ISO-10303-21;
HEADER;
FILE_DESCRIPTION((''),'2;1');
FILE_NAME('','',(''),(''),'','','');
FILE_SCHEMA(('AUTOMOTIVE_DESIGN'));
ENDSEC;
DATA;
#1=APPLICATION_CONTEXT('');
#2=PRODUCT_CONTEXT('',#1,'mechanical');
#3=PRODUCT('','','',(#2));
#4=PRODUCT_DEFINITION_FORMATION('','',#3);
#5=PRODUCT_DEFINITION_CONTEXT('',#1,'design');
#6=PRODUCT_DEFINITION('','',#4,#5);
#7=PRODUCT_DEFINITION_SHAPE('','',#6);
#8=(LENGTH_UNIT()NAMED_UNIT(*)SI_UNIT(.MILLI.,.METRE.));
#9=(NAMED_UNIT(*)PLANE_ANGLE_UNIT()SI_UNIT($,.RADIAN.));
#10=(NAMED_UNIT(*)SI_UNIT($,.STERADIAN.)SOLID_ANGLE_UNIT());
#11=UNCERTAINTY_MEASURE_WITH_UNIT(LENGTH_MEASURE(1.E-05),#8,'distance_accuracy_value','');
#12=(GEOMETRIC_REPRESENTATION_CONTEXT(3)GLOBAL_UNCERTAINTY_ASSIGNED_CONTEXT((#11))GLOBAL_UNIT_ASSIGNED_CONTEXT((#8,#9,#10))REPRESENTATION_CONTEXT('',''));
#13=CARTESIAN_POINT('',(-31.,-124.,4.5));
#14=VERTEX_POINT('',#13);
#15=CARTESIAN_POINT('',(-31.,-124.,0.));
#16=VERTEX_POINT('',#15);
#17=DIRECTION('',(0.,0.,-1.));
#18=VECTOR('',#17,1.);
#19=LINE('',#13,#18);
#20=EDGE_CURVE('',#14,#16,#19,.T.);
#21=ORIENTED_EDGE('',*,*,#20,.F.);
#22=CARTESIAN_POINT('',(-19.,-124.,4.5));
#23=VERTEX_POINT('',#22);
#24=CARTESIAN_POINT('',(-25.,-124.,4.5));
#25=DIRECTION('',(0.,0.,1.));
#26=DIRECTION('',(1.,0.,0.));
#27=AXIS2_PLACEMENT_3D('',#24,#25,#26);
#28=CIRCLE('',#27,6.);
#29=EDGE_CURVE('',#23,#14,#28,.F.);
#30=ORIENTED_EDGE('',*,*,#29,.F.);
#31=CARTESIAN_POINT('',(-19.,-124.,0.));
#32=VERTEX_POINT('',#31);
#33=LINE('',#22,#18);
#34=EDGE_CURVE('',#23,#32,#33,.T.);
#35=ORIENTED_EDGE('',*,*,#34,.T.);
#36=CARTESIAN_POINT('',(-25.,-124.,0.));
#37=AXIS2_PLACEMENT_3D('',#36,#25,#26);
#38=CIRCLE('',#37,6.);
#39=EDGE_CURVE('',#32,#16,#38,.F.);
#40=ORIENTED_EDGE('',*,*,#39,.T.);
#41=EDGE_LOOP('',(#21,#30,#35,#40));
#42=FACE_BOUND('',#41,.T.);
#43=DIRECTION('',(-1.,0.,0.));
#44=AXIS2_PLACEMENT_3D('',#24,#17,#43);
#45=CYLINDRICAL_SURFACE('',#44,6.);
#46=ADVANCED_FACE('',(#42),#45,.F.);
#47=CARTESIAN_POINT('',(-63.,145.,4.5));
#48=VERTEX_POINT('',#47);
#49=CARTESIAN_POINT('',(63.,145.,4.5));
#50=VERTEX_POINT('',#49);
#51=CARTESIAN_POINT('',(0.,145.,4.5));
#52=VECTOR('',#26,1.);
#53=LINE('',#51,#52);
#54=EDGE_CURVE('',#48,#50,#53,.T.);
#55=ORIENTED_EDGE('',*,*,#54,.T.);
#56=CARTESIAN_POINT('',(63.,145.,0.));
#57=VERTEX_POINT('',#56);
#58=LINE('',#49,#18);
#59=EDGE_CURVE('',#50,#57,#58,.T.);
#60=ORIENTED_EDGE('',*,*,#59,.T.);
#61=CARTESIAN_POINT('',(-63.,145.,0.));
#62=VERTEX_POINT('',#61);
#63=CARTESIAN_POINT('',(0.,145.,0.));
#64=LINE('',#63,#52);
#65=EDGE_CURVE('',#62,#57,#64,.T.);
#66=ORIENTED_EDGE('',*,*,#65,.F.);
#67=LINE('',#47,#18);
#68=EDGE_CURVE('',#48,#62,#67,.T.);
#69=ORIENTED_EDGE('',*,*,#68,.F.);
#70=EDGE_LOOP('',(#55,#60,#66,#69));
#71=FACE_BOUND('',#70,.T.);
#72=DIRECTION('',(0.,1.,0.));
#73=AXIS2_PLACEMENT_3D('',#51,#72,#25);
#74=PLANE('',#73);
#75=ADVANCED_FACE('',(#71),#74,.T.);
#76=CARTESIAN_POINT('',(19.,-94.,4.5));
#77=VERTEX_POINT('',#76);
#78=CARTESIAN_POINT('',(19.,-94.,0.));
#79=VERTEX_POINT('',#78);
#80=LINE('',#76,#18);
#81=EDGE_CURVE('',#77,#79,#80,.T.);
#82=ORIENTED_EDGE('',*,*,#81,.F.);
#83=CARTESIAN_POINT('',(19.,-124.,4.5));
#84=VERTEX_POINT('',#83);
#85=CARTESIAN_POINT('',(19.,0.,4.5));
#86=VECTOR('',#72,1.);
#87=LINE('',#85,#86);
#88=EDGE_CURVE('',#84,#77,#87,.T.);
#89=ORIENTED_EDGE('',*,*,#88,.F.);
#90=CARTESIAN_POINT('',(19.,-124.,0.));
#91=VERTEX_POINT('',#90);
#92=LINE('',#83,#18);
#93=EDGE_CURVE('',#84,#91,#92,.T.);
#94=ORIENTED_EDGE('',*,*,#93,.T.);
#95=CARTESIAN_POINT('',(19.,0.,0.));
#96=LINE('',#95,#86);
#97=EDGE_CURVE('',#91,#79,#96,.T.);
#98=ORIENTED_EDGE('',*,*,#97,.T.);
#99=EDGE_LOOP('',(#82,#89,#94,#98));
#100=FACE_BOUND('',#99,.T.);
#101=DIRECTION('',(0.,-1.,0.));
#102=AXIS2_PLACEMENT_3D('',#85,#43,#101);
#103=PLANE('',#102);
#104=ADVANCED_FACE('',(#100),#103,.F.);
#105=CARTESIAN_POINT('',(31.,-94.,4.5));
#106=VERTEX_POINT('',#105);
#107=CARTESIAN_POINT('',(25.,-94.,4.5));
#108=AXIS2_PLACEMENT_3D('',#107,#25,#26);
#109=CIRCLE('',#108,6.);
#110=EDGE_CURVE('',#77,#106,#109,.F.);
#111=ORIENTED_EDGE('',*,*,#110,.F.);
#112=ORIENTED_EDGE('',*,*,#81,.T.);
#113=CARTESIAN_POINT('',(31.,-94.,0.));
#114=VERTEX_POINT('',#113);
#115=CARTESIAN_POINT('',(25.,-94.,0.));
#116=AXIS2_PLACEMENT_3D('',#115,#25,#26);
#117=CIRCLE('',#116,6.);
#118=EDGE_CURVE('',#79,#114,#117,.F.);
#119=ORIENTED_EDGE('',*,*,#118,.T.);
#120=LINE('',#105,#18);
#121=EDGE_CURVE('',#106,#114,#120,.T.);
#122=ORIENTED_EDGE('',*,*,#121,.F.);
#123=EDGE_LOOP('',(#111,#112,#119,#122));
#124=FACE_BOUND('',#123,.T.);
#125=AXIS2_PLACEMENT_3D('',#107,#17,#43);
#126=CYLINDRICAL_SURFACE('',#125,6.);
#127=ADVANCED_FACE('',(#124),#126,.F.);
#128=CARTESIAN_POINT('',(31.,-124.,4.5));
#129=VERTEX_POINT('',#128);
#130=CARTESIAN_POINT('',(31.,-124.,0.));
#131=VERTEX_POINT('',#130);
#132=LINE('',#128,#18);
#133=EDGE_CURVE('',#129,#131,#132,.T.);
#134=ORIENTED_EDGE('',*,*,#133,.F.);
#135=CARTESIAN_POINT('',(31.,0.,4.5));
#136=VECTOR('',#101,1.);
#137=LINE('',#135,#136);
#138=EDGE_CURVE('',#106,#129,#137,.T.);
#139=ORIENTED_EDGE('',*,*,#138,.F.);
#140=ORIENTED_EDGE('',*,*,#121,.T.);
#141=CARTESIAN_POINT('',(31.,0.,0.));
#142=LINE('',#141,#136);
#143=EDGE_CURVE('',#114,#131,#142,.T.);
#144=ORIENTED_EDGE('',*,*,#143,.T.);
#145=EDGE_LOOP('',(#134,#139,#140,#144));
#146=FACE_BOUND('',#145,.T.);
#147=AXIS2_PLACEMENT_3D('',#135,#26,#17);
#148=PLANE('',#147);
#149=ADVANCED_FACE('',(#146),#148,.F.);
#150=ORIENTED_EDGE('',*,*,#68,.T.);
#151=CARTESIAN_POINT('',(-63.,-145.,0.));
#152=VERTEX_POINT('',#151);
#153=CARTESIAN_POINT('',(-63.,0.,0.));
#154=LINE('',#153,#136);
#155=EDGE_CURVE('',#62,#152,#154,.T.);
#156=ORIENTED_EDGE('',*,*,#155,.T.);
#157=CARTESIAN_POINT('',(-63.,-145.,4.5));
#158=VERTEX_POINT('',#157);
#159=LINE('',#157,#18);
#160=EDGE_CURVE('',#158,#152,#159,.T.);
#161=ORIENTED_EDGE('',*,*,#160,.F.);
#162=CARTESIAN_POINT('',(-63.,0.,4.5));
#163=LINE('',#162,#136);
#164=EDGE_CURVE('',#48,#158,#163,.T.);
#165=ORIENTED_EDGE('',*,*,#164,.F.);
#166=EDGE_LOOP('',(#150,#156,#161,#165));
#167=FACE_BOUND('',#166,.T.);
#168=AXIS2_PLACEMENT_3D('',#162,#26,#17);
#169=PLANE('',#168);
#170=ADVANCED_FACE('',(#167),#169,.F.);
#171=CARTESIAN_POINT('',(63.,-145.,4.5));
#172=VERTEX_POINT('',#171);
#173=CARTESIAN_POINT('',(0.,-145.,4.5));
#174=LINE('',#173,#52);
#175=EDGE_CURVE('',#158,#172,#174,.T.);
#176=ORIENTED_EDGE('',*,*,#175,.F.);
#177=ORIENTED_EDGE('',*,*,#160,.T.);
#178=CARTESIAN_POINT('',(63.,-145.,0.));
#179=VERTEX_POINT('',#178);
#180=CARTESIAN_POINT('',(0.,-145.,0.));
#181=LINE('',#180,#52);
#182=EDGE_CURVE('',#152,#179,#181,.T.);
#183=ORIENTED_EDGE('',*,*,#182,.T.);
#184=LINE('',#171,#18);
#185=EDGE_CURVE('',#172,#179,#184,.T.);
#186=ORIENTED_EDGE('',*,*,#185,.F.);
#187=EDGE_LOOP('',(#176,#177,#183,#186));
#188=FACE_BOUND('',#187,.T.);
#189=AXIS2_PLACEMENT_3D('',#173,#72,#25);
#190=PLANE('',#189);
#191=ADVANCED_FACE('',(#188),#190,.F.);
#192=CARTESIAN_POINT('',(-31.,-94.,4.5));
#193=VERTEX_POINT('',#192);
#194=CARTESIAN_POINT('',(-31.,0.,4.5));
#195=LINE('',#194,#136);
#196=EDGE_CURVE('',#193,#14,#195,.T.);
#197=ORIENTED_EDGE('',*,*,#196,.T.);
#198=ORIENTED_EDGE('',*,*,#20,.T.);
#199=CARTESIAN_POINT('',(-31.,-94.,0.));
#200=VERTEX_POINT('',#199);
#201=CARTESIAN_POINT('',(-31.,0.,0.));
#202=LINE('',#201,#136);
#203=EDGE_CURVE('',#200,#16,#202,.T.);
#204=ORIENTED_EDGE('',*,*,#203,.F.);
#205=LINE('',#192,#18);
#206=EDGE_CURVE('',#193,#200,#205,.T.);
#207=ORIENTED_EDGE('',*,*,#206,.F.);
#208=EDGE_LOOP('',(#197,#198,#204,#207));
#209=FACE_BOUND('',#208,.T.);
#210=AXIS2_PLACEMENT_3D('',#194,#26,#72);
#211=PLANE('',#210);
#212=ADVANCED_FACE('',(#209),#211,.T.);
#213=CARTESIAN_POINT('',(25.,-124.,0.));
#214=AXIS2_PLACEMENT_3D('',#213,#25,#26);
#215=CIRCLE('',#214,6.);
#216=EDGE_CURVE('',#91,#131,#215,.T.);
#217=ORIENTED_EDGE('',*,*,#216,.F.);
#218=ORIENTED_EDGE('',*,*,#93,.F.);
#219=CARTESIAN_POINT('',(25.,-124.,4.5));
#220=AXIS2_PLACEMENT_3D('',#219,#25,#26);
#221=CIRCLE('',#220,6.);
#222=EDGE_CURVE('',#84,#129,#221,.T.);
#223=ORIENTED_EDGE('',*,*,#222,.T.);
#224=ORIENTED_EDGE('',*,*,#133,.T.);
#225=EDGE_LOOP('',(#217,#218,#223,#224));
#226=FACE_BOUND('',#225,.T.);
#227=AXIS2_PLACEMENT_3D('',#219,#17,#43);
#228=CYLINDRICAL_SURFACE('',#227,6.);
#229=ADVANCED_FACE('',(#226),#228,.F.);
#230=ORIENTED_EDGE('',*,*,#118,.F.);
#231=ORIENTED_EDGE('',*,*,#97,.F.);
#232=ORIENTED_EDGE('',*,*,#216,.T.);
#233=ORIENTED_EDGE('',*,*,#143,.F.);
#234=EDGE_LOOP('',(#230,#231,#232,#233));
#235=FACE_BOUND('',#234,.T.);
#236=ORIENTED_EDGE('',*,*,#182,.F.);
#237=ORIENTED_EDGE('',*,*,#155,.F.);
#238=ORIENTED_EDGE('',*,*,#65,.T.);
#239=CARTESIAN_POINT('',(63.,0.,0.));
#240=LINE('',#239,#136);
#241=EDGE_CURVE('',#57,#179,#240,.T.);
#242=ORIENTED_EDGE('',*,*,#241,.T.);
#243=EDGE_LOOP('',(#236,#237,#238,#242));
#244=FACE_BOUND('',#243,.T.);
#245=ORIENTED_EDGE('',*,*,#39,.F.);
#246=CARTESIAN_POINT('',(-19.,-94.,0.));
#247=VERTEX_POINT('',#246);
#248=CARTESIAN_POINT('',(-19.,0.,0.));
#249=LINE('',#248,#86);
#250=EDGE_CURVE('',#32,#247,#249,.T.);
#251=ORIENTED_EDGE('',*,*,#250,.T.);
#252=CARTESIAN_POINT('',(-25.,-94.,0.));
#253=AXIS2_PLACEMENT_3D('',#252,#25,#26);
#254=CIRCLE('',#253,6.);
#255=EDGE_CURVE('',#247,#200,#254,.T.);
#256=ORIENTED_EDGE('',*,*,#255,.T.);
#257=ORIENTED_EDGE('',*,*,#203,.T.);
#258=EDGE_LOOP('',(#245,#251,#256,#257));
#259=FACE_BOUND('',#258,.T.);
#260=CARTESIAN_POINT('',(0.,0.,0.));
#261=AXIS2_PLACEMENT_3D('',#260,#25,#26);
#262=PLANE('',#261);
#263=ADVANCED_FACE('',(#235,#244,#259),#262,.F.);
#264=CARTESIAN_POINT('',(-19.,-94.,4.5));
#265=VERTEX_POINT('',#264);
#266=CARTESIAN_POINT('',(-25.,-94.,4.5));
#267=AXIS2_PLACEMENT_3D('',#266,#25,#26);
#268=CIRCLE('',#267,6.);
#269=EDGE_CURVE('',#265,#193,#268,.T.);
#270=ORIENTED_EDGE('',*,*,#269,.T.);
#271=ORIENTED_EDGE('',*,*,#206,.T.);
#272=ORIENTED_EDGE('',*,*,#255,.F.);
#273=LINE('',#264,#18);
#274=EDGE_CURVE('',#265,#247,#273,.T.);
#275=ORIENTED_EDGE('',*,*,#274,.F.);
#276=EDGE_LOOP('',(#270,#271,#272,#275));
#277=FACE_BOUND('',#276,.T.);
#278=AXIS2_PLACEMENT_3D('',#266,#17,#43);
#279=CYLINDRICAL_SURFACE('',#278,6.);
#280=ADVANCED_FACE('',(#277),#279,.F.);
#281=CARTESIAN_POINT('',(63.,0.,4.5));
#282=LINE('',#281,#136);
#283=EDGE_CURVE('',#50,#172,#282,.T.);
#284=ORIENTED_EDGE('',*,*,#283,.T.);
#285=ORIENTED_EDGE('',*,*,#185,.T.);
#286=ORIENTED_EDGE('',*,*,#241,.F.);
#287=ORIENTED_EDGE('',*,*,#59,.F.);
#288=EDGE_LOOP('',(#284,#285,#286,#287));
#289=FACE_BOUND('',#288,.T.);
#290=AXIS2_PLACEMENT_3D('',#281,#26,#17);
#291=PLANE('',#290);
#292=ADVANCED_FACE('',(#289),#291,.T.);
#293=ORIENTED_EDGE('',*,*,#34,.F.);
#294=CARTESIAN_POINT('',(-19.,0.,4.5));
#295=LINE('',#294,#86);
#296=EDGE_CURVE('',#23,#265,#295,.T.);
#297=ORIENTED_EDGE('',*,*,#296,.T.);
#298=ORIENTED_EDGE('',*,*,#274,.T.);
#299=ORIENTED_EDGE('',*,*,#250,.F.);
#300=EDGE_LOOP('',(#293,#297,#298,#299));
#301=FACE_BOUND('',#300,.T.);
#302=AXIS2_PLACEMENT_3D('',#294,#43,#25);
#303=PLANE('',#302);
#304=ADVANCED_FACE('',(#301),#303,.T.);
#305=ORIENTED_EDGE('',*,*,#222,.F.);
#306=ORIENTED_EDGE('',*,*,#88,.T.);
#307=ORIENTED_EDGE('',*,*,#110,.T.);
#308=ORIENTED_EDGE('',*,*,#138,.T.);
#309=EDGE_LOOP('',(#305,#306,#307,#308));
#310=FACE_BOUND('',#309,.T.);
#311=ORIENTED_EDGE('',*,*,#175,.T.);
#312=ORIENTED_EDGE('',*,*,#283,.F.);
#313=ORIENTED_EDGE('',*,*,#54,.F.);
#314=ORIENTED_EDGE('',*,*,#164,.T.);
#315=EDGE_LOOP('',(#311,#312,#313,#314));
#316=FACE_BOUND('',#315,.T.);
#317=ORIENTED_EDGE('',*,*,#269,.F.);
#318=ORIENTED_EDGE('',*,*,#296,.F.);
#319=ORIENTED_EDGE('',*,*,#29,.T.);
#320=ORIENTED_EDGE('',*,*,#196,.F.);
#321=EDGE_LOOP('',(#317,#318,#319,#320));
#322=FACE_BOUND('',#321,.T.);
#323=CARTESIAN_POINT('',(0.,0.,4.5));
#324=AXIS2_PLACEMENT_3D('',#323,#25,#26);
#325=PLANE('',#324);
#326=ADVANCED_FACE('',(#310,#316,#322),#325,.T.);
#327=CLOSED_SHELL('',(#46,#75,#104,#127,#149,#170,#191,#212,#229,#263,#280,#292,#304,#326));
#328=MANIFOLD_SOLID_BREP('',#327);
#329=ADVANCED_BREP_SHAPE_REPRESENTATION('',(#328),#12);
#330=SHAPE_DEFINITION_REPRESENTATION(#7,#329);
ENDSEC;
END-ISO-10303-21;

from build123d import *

# Parameters (mm, degrees)
SKETCH1_W           = 126
SKETCH1_H           = 290
BOSS_EXTRUDE2_DEPTH = 4.5


with BuildPart() as part:
    # Sketch1 → Boss-Extrude2 (new body)
    with BuildSketch(Plane.XY):
        Rectangle(SKETCH1_W, SKETCH1_H)
        with BuildLine():
            Line((-19, -109), (-19, -124))
            ThreePointArc((-19, -124), (-25, -130), (-31, -124))
            Line((-31, -124), (-31, -94))
            ThreePointArc((-31, -94), (-25, -88), (-19, -94))
            Line((-19, -94), (-19, -109))
        make_face(mode=Mode.SUBTRACT)
        with BuildLine():
            ThreePointArc((31, -124), (25, -130), (19, -124))
            Line((19, -124), (19, -94))
            ThreePointArc((19, -94), (25, -88), (31, -94))
            Line((31, -94), (31, -124))
        make_face(mode=Mode.SUBTRACT)
    extrude(amount=BOSS_EXTRUDE2_DEPTH)


solid = part.part
